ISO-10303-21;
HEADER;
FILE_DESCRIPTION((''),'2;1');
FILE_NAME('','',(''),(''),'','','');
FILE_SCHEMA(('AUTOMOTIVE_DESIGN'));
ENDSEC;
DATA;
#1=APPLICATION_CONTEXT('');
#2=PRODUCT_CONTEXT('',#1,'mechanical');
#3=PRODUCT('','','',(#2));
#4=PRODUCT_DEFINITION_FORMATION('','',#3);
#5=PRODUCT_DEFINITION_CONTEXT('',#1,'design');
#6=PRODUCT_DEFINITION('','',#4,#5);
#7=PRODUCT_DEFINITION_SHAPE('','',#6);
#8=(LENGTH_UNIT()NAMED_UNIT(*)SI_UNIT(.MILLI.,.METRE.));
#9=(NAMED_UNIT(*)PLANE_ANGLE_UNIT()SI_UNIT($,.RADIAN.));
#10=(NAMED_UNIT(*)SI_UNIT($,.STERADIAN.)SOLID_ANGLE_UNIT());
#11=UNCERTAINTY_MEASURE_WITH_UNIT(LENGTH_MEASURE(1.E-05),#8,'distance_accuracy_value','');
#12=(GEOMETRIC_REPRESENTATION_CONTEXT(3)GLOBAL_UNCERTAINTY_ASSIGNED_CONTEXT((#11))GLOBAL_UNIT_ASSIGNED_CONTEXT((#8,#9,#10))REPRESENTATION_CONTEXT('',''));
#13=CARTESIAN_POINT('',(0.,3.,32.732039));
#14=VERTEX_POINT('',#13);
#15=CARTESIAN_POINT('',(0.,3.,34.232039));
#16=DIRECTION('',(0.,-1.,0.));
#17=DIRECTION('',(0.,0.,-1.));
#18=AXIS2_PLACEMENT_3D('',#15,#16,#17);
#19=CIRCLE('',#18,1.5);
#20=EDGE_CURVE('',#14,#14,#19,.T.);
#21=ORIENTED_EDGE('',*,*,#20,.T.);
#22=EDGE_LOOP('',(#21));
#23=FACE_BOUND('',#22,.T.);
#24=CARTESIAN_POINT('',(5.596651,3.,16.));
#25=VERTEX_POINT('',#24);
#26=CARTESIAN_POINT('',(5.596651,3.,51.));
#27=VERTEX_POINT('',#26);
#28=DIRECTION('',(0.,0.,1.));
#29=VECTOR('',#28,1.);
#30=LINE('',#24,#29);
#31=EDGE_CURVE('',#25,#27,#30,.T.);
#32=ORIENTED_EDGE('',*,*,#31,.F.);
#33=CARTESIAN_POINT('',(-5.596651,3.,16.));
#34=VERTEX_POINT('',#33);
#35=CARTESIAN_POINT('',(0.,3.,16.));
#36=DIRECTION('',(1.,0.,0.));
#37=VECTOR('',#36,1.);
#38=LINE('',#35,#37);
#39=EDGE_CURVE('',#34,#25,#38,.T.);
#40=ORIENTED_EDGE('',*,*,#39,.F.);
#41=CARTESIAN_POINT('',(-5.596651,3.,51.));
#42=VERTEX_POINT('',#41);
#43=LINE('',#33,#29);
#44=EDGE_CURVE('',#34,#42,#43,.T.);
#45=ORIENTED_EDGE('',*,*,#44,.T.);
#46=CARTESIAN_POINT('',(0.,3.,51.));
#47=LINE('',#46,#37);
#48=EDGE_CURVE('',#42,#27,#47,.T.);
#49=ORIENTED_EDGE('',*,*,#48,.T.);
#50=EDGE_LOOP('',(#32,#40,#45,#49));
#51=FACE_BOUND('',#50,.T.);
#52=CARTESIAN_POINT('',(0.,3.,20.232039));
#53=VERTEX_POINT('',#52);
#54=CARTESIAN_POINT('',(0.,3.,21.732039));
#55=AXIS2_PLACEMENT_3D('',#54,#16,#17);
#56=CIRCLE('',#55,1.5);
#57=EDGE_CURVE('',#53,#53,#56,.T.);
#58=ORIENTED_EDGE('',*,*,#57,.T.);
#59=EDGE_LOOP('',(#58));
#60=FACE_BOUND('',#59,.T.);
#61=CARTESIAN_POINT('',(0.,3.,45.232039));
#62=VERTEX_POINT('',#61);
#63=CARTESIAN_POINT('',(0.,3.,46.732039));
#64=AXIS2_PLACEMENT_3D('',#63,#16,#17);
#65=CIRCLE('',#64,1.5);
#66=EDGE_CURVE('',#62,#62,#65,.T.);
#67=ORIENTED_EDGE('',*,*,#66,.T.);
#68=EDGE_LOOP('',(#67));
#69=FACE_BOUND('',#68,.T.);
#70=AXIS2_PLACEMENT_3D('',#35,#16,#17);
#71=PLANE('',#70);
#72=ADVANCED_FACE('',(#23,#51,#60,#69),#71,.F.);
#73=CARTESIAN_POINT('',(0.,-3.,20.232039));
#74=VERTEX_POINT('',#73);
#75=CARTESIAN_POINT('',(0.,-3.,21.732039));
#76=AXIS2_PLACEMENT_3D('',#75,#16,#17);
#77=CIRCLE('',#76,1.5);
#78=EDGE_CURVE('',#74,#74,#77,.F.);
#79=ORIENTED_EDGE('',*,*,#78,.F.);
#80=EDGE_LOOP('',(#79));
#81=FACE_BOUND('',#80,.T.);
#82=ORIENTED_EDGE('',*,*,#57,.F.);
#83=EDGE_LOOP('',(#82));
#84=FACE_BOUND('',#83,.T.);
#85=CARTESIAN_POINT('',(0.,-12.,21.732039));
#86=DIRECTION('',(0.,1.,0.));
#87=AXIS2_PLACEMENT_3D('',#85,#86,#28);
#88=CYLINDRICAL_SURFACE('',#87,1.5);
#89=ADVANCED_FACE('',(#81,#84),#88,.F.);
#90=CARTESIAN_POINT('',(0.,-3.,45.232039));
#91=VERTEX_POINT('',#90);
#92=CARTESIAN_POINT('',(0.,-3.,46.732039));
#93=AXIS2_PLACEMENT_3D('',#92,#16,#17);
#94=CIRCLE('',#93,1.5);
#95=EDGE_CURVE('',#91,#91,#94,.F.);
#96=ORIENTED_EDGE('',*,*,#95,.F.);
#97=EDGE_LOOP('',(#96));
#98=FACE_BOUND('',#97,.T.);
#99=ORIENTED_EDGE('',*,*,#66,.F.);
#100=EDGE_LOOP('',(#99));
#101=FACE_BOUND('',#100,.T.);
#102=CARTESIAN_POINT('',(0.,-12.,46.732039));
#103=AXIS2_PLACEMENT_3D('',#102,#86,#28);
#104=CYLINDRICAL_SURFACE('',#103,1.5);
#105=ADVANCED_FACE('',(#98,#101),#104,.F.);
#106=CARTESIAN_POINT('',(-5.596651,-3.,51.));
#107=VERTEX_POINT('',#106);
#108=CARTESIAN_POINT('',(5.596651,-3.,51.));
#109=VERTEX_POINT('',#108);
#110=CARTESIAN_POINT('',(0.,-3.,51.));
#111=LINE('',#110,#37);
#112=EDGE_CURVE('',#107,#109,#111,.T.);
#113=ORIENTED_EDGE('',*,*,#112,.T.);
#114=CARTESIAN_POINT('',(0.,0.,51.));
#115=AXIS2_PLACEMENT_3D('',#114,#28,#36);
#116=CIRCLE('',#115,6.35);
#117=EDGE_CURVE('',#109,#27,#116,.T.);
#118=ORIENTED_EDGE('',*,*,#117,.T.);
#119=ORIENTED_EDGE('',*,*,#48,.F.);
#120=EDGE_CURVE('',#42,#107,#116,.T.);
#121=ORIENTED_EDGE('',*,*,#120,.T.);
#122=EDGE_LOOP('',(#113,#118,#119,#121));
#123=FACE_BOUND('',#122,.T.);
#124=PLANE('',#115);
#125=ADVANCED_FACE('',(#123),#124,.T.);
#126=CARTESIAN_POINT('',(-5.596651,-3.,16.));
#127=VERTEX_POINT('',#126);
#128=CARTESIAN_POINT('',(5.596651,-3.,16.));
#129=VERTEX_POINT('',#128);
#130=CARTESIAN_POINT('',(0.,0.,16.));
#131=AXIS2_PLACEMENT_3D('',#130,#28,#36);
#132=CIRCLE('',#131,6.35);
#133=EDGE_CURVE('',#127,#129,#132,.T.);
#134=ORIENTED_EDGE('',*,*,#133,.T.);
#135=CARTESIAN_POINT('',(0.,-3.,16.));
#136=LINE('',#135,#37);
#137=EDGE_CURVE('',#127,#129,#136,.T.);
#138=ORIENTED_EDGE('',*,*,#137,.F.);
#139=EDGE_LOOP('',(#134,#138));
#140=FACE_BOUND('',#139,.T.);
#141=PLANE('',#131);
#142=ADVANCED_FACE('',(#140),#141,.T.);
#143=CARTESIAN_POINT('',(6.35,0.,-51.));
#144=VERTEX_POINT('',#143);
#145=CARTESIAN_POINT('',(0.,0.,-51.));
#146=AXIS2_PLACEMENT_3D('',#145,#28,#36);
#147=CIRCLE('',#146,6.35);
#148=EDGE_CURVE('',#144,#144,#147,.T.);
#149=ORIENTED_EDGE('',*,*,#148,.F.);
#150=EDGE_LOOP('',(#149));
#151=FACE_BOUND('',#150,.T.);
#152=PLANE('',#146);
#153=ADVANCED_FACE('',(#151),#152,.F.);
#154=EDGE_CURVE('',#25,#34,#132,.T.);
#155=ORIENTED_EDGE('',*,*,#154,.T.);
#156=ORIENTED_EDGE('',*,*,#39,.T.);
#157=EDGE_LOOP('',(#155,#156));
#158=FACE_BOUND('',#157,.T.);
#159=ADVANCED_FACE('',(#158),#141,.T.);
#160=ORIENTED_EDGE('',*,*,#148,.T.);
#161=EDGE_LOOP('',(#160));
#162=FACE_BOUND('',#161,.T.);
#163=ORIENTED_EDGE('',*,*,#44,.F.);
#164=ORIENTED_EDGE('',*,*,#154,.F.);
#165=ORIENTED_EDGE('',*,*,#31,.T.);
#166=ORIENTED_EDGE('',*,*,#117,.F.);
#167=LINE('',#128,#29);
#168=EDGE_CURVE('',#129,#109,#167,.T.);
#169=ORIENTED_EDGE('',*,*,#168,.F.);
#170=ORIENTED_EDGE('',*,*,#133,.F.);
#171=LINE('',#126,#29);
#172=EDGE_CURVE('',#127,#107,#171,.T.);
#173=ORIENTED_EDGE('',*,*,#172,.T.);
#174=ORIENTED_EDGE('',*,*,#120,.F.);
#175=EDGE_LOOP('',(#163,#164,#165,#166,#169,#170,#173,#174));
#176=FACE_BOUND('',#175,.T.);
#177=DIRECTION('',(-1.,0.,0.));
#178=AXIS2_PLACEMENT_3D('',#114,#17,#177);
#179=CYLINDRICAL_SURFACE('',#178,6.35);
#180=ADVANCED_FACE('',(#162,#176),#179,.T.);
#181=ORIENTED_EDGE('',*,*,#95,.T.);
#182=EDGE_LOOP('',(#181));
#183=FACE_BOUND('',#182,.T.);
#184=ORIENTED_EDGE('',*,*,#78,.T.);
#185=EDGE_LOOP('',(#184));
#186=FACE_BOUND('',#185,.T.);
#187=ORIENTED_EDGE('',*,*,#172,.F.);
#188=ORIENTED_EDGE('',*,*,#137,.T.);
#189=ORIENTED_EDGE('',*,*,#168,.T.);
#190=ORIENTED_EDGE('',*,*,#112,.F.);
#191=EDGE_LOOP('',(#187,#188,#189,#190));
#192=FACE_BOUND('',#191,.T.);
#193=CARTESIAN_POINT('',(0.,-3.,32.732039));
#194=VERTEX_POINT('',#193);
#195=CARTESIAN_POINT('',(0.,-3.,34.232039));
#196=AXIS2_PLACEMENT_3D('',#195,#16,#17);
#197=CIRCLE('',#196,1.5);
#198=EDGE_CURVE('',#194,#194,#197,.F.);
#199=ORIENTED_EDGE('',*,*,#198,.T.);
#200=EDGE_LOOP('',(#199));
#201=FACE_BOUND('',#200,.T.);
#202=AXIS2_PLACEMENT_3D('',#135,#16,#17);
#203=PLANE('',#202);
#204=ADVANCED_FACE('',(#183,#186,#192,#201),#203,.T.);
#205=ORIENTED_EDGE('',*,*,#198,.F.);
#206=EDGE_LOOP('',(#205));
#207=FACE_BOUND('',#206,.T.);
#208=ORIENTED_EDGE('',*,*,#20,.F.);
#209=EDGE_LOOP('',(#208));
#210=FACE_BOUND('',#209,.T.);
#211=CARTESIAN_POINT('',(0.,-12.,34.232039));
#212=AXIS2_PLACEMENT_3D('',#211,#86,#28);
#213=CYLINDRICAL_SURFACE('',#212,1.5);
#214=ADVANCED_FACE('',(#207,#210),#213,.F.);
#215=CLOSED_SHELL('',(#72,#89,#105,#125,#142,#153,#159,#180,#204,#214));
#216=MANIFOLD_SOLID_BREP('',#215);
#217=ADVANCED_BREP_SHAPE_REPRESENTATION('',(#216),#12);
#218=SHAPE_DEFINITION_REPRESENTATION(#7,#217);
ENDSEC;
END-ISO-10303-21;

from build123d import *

# Parameters (mm, degrees)
SKETCH1_R           = 6.35
BOSS_EXTRUDE1_DEPTH = 51
CUT_EXTRUDE1_DEPTH  = 35
SKETCH3_R           = 1.5
CUT_EXTRUDE2_DEPTH  = 15


with BuildPart() as part:
    # Sketch1 → Boss-Extrude1 (new, symmetric)
    with BuildSketch(Plane.XY):
        Circle(SKETCH1_R)
    extrude(amount=BOSS_EXTRUDE1_DEPTH, both=True)

    # Sketch2 → Cut-Extrude1 (cut)
    with BuildSketch(Plane.XY.offset(51)):
        with BuildLine():
            ThreePointArc((5.596650784, 3), (0, 6.35), (-5.596650784, 3))
            Line((-5.596650784, 3), (5.596650784, 3))
        make_face()
        with BuildLine():
            Line((5.596650784, -3), (-5.596650784, -3))
            ThreePointArc((-5.596650784, -3), (0, -6.35), (5.596650784, -3))
        make_face()
    extrude(amount=-CUT_EXTRUDE1_DEPTH, mode=Mode.SUBTRACT)

    # Sketch3 → Cut-Extrude2 (cut)
    with BuildSketch(Plane(origin=(0, 3, 0), x_dir=(1, 0, 0), z_dir=(0, 1, 0))):
        with Locations(Location((0, -21.732039108, 0), (0, 0, 90))):
            Circle(SKETCH3_R)
        with Locations(Location((0, -34.232039108, 0), (0, 0, 90))):
            Circle(SKETCH3_R)
        with Locations(Location((0, -46.732039108, 0), (0, 0, 90))):
            Circle(SKETCH3_R)
    extrude(amount=-CUT_EXTRUDE2_DEPTH, mode=Mode.SUBTRACT)


solid = part.part
